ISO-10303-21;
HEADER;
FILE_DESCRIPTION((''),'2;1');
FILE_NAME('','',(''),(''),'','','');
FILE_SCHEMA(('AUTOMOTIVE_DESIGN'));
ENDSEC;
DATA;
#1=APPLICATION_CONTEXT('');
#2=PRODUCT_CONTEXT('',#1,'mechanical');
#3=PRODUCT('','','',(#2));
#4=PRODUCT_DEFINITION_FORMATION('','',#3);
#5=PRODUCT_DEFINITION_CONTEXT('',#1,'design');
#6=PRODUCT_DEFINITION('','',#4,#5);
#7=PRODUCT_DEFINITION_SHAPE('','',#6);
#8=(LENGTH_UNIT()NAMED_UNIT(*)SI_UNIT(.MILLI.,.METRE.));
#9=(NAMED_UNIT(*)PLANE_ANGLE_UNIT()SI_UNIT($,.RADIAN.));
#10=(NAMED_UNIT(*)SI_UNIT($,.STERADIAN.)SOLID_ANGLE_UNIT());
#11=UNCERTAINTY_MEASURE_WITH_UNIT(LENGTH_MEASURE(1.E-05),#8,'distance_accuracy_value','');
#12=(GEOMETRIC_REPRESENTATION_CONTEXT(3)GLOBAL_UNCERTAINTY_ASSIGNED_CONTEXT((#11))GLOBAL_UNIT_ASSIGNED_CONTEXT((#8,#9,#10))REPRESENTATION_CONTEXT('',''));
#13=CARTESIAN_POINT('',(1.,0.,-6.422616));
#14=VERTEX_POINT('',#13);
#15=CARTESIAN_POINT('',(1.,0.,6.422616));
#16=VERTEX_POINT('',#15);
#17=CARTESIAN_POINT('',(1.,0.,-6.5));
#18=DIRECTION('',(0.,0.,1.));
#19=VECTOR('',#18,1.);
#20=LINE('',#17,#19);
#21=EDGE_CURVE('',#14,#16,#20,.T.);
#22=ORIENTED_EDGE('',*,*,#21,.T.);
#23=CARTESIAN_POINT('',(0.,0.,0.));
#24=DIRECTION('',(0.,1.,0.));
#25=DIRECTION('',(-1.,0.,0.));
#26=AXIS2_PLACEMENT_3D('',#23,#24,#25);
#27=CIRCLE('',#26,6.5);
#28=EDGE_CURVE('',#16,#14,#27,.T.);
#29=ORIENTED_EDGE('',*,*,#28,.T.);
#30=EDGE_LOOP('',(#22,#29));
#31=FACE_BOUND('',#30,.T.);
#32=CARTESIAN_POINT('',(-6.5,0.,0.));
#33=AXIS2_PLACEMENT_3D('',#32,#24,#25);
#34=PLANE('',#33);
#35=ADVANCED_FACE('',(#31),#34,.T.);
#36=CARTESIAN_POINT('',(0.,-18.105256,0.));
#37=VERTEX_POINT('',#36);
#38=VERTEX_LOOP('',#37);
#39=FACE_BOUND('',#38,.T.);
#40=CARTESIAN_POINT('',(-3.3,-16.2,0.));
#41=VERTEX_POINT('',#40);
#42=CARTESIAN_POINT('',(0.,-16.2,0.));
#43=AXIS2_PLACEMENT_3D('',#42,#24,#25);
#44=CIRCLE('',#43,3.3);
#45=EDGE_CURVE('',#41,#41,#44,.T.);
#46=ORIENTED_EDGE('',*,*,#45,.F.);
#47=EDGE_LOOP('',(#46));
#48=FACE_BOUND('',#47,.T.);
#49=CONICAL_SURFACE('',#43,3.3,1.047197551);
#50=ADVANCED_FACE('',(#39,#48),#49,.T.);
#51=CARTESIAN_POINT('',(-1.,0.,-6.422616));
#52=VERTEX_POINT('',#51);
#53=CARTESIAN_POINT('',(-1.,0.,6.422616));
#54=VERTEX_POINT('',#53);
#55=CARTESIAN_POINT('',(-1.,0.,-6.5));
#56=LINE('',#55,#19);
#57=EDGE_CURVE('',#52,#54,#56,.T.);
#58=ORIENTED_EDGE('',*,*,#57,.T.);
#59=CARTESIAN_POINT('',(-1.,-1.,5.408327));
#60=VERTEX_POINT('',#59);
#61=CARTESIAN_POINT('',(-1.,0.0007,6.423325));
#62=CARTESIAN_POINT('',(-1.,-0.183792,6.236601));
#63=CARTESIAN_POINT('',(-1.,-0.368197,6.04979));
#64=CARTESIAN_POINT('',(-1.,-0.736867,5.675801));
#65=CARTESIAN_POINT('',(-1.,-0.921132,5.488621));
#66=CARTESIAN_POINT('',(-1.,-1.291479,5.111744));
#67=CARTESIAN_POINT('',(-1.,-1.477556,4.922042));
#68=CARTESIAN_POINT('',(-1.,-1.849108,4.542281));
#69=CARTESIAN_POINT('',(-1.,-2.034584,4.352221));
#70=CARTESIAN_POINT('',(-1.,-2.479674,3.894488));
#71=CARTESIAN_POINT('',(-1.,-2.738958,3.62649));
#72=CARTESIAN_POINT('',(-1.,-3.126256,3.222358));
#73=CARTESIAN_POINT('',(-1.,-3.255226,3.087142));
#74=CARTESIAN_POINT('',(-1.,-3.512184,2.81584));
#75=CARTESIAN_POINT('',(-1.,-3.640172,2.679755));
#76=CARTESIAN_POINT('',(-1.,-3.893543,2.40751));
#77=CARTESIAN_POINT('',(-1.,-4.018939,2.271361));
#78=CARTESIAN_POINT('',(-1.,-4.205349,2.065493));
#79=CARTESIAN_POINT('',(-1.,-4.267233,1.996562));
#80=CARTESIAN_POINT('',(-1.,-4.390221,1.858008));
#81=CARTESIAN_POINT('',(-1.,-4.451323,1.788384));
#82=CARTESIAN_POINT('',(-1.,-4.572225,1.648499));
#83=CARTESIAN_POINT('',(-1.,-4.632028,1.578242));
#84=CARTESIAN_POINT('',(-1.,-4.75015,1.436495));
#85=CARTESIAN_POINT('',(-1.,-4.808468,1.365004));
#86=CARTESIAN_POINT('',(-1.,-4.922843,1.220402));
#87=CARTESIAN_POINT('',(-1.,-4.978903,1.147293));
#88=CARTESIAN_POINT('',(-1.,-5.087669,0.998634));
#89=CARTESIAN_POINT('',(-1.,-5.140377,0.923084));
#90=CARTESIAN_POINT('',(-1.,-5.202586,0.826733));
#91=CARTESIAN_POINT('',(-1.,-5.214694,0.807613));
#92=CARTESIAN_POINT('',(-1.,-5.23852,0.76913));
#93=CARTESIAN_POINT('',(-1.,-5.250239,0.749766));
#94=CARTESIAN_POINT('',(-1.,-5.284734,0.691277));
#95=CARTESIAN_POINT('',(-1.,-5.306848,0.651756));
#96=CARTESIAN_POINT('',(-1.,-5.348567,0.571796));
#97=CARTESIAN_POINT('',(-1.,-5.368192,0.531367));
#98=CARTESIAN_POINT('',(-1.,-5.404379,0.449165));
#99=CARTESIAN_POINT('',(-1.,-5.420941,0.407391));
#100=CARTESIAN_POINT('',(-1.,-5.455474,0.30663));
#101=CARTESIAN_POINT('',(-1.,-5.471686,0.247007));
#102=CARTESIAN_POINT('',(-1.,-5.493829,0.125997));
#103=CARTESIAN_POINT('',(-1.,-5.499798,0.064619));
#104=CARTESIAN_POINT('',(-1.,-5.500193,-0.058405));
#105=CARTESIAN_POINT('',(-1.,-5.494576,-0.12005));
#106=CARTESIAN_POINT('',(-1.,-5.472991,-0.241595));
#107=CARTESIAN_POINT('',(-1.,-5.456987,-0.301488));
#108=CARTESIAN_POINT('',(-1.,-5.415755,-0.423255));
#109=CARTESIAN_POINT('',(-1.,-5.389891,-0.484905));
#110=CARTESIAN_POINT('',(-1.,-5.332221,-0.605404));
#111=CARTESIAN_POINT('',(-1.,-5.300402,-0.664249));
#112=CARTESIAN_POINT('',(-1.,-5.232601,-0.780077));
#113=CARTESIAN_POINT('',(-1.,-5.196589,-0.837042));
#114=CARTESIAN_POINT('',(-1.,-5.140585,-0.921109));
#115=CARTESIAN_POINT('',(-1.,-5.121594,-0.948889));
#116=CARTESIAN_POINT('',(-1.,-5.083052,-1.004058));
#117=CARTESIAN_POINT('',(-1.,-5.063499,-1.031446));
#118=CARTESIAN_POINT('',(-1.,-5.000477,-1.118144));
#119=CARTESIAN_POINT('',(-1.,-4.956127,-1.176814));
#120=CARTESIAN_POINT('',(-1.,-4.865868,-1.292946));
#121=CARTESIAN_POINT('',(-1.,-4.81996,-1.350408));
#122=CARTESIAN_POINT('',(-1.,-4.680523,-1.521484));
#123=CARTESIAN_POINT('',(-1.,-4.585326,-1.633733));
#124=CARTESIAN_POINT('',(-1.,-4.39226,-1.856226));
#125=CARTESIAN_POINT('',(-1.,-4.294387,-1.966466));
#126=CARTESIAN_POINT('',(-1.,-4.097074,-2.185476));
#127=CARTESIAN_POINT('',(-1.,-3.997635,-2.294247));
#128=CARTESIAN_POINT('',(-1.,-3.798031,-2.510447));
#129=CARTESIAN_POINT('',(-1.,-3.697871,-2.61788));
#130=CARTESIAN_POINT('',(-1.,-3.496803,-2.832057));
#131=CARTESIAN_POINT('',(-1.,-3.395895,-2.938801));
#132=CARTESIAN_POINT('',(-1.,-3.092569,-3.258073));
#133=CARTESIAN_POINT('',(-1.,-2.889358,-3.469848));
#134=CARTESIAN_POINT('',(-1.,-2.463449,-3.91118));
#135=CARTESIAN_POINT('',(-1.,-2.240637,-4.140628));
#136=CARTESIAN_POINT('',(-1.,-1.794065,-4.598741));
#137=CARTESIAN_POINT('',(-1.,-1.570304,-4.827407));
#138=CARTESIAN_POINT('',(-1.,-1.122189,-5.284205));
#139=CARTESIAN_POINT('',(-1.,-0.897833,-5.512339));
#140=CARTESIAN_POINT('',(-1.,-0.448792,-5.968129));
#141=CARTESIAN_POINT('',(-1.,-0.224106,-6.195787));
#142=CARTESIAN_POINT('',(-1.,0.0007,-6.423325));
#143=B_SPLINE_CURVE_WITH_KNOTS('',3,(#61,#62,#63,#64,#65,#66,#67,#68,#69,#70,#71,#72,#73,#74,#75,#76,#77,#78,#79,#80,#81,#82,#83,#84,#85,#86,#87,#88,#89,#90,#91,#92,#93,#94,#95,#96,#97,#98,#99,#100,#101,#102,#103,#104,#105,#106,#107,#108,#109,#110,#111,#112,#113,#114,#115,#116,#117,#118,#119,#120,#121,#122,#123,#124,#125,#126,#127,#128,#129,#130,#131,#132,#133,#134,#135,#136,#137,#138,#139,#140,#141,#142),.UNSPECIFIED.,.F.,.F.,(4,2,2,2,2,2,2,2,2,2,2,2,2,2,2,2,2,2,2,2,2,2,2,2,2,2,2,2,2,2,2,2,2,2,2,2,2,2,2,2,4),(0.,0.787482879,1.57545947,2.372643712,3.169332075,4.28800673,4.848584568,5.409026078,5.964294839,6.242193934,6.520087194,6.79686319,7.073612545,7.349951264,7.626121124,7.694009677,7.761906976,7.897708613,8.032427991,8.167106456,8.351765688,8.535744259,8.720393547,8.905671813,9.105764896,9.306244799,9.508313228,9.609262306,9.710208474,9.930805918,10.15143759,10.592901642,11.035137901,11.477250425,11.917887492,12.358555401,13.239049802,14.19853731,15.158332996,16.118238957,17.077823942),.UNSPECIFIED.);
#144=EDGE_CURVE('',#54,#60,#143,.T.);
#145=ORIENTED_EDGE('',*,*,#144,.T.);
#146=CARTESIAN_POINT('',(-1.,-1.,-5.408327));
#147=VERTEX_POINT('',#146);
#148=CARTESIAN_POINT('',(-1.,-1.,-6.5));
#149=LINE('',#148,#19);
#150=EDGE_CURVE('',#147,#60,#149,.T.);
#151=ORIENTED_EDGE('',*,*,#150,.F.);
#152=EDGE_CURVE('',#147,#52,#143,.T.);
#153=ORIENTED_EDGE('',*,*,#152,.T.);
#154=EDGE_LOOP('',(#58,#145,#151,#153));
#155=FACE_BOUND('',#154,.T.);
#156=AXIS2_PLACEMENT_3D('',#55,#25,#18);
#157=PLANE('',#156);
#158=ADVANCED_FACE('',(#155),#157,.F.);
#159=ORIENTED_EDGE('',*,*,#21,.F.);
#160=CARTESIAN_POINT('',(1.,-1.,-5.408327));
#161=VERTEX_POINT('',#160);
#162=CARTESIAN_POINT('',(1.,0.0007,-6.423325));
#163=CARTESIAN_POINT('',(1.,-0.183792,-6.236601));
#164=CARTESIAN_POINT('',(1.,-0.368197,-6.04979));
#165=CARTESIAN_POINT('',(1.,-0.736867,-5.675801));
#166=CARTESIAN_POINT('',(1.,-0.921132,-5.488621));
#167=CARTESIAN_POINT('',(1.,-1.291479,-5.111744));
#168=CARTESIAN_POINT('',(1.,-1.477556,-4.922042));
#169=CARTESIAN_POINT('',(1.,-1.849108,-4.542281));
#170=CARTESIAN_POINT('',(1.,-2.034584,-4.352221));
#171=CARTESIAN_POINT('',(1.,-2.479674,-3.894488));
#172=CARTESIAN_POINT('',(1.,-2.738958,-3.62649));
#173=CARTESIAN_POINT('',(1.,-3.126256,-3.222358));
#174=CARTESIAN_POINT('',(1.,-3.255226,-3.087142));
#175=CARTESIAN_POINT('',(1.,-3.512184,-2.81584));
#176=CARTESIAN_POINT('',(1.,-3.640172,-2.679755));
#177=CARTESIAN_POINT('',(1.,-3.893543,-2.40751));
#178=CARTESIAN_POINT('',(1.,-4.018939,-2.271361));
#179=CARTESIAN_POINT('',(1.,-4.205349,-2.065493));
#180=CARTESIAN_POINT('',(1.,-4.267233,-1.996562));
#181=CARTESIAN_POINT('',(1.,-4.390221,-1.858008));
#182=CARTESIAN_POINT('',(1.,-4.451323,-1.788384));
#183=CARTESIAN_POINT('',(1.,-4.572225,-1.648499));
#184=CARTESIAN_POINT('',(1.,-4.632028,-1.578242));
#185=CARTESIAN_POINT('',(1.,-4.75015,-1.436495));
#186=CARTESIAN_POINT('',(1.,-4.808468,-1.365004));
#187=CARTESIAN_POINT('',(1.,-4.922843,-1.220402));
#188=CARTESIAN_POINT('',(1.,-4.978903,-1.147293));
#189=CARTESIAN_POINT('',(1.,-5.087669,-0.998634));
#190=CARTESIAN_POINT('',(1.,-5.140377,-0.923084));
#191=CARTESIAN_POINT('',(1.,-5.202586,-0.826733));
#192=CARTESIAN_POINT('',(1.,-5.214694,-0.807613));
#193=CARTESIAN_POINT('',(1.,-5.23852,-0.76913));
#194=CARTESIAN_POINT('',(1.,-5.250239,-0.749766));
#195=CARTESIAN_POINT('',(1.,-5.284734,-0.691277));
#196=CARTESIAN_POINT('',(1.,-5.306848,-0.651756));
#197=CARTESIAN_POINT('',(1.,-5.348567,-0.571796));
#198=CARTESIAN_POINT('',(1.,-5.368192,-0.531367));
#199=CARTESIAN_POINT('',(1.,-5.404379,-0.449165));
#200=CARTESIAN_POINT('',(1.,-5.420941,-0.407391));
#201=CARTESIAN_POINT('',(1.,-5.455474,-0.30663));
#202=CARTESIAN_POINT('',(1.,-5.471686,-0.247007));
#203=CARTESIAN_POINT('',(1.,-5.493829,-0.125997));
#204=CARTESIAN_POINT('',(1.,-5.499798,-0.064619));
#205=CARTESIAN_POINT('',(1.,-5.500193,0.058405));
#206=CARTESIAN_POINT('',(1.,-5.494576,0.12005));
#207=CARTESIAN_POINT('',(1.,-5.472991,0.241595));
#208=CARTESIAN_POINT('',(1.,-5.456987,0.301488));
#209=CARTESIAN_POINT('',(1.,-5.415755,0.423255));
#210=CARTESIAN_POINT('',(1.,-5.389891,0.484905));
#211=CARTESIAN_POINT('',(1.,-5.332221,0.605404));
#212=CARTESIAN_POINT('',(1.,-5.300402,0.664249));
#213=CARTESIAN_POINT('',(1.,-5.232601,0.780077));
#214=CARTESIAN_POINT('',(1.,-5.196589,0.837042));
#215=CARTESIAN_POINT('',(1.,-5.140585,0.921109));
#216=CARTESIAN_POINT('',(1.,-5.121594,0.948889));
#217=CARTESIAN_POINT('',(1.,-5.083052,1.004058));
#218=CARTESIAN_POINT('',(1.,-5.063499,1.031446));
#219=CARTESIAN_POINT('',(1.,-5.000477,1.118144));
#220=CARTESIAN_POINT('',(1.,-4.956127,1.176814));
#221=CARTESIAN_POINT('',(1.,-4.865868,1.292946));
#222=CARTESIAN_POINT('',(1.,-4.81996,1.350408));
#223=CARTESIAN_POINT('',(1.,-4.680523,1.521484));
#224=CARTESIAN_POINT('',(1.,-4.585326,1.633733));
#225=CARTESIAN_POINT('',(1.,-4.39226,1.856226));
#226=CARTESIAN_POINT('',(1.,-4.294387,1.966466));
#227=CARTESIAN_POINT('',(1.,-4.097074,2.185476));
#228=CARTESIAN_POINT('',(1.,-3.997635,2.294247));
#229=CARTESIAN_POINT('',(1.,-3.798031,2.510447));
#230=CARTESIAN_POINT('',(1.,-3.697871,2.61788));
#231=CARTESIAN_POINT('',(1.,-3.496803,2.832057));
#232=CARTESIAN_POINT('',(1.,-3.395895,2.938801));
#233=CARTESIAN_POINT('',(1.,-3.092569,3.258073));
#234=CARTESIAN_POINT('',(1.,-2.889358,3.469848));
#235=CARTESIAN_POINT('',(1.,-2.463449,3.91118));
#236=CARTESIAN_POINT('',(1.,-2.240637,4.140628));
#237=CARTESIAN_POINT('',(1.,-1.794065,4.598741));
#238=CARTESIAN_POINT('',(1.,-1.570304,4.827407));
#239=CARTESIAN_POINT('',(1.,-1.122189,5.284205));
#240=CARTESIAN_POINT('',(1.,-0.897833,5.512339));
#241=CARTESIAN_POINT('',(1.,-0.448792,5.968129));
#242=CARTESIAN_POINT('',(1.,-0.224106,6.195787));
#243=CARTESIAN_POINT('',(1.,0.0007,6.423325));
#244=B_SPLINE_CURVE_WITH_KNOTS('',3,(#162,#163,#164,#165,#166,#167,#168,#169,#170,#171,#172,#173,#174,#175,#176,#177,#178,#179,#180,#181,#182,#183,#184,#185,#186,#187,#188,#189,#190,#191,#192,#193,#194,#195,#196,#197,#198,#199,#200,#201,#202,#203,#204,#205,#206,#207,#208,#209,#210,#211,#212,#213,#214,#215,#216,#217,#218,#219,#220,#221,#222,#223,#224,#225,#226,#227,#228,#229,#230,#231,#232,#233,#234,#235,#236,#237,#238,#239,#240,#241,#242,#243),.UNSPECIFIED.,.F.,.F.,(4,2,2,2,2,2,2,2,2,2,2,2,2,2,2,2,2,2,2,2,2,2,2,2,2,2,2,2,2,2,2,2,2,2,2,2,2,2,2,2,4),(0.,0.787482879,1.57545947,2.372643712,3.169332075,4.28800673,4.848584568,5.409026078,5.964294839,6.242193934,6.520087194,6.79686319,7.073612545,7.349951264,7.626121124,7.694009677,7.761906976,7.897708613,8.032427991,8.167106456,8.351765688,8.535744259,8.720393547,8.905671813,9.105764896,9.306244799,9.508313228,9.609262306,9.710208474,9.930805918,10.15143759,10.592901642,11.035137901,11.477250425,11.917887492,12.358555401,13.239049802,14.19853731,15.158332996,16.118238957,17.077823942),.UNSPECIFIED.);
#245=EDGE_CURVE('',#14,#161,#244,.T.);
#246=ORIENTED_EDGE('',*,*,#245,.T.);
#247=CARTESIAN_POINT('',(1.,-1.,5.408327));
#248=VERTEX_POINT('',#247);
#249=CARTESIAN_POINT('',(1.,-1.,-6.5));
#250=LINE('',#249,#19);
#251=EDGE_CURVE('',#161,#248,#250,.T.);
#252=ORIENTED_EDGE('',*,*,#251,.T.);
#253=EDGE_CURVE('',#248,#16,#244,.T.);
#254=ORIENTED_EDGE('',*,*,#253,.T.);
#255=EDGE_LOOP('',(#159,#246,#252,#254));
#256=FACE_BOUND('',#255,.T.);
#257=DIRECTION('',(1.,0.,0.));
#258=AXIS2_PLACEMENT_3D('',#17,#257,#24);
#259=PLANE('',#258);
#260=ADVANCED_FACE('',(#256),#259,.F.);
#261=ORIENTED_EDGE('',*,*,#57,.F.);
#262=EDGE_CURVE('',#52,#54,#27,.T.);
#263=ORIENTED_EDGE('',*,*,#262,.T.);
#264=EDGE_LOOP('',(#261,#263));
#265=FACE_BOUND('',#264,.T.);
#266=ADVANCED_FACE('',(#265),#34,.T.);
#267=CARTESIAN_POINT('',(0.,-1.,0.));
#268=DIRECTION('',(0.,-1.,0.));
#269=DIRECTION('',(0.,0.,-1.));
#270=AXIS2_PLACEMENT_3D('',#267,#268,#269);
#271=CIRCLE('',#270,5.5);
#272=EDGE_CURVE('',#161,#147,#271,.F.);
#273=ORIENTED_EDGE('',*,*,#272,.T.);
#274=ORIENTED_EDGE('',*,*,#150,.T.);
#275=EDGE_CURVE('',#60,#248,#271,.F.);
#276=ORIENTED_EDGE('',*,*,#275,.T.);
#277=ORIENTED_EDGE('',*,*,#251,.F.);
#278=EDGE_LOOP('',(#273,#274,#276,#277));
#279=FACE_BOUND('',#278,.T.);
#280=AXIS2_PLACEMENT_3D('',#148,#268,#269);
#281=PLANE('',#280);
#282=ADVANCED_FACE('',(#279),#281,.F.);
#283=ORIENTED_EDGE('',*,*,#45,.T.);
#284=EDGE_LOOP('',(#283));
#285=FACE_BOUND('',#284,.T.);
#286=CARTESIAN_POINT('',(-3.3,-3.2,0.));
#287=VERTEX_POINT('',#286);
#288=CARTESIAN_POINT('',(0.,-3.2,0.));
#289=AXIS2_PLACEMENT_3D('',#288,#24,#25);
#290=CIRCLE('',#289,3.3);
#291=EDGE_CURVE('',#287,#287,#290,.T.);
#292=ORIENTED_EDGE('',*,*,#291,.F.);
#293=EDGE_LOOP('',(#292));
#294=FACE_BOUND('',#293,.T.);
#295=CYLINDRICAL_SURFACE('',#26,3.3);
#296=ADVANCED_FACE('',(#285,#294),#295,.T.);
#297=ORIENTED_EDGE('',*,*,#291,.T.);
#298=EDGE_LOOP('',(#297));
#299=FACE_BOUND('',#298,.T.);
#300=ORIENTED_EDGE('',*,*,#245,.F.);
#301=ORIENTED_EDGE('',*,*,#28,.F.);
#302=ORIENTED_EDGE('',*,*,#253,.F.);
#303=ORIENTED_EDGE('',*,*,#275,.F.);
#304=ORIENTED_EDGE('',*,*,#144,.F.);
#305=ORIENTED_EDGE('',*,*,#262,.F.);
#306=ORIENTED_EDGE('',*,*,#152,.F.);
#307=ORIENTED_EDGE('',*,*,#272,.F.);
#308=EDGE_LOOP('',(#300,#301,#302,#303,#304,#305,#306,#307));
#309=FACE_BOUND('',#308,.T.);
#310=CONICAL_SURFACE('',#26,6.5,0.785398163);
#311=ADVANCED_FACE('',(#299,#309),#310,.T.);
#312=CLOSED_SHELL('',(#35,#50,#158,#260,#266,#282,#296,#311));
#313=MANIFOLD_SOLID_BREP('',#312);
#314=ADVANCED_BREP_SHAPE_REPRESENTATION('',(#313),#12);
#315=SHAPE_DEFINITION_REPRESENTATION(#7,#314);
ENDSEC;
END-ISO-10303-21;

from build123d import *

# Parameters (mm, degrees)
CUT_EXTRUDE1_DEPTH      = 21.305178915
CUT_EXTRUDE1_DEPTH_BACK = 21.305178915
SKETCH2_W               = 2
SKETCH2_H               = 1


with BuildPart() as part:
    # Sketch1 → Revolve1 (revolve)
    with BuildSketch(Plane.XY):
        Polygon((-6.5, 0), (-3.3, -3.2), (-3.3, -16.2), (0, -18.105255888), (0, 0), align=None)
    revolve(axis=Axis((0, 0, 0), (0, -1, 0)))

    # Sketch2 → Cut-Extrude1 (cut, two sides: drawn at the far end of the back side and taken through both)
    with BuildSketch(Plane.XY.offset(-CUT_EXTRUDE1_DEPTH_BACK)):
        with Locations((0, -0.5)):
            Rectangle(SKETCH2_W, SKETCH2_H)
    extrude(amount=CUT_EXTRUDE1_DEPTH + CUT_EXTRUDE1_DEPTH_BACK, mode=Mode.SUBTRACT)


solid = part.part
